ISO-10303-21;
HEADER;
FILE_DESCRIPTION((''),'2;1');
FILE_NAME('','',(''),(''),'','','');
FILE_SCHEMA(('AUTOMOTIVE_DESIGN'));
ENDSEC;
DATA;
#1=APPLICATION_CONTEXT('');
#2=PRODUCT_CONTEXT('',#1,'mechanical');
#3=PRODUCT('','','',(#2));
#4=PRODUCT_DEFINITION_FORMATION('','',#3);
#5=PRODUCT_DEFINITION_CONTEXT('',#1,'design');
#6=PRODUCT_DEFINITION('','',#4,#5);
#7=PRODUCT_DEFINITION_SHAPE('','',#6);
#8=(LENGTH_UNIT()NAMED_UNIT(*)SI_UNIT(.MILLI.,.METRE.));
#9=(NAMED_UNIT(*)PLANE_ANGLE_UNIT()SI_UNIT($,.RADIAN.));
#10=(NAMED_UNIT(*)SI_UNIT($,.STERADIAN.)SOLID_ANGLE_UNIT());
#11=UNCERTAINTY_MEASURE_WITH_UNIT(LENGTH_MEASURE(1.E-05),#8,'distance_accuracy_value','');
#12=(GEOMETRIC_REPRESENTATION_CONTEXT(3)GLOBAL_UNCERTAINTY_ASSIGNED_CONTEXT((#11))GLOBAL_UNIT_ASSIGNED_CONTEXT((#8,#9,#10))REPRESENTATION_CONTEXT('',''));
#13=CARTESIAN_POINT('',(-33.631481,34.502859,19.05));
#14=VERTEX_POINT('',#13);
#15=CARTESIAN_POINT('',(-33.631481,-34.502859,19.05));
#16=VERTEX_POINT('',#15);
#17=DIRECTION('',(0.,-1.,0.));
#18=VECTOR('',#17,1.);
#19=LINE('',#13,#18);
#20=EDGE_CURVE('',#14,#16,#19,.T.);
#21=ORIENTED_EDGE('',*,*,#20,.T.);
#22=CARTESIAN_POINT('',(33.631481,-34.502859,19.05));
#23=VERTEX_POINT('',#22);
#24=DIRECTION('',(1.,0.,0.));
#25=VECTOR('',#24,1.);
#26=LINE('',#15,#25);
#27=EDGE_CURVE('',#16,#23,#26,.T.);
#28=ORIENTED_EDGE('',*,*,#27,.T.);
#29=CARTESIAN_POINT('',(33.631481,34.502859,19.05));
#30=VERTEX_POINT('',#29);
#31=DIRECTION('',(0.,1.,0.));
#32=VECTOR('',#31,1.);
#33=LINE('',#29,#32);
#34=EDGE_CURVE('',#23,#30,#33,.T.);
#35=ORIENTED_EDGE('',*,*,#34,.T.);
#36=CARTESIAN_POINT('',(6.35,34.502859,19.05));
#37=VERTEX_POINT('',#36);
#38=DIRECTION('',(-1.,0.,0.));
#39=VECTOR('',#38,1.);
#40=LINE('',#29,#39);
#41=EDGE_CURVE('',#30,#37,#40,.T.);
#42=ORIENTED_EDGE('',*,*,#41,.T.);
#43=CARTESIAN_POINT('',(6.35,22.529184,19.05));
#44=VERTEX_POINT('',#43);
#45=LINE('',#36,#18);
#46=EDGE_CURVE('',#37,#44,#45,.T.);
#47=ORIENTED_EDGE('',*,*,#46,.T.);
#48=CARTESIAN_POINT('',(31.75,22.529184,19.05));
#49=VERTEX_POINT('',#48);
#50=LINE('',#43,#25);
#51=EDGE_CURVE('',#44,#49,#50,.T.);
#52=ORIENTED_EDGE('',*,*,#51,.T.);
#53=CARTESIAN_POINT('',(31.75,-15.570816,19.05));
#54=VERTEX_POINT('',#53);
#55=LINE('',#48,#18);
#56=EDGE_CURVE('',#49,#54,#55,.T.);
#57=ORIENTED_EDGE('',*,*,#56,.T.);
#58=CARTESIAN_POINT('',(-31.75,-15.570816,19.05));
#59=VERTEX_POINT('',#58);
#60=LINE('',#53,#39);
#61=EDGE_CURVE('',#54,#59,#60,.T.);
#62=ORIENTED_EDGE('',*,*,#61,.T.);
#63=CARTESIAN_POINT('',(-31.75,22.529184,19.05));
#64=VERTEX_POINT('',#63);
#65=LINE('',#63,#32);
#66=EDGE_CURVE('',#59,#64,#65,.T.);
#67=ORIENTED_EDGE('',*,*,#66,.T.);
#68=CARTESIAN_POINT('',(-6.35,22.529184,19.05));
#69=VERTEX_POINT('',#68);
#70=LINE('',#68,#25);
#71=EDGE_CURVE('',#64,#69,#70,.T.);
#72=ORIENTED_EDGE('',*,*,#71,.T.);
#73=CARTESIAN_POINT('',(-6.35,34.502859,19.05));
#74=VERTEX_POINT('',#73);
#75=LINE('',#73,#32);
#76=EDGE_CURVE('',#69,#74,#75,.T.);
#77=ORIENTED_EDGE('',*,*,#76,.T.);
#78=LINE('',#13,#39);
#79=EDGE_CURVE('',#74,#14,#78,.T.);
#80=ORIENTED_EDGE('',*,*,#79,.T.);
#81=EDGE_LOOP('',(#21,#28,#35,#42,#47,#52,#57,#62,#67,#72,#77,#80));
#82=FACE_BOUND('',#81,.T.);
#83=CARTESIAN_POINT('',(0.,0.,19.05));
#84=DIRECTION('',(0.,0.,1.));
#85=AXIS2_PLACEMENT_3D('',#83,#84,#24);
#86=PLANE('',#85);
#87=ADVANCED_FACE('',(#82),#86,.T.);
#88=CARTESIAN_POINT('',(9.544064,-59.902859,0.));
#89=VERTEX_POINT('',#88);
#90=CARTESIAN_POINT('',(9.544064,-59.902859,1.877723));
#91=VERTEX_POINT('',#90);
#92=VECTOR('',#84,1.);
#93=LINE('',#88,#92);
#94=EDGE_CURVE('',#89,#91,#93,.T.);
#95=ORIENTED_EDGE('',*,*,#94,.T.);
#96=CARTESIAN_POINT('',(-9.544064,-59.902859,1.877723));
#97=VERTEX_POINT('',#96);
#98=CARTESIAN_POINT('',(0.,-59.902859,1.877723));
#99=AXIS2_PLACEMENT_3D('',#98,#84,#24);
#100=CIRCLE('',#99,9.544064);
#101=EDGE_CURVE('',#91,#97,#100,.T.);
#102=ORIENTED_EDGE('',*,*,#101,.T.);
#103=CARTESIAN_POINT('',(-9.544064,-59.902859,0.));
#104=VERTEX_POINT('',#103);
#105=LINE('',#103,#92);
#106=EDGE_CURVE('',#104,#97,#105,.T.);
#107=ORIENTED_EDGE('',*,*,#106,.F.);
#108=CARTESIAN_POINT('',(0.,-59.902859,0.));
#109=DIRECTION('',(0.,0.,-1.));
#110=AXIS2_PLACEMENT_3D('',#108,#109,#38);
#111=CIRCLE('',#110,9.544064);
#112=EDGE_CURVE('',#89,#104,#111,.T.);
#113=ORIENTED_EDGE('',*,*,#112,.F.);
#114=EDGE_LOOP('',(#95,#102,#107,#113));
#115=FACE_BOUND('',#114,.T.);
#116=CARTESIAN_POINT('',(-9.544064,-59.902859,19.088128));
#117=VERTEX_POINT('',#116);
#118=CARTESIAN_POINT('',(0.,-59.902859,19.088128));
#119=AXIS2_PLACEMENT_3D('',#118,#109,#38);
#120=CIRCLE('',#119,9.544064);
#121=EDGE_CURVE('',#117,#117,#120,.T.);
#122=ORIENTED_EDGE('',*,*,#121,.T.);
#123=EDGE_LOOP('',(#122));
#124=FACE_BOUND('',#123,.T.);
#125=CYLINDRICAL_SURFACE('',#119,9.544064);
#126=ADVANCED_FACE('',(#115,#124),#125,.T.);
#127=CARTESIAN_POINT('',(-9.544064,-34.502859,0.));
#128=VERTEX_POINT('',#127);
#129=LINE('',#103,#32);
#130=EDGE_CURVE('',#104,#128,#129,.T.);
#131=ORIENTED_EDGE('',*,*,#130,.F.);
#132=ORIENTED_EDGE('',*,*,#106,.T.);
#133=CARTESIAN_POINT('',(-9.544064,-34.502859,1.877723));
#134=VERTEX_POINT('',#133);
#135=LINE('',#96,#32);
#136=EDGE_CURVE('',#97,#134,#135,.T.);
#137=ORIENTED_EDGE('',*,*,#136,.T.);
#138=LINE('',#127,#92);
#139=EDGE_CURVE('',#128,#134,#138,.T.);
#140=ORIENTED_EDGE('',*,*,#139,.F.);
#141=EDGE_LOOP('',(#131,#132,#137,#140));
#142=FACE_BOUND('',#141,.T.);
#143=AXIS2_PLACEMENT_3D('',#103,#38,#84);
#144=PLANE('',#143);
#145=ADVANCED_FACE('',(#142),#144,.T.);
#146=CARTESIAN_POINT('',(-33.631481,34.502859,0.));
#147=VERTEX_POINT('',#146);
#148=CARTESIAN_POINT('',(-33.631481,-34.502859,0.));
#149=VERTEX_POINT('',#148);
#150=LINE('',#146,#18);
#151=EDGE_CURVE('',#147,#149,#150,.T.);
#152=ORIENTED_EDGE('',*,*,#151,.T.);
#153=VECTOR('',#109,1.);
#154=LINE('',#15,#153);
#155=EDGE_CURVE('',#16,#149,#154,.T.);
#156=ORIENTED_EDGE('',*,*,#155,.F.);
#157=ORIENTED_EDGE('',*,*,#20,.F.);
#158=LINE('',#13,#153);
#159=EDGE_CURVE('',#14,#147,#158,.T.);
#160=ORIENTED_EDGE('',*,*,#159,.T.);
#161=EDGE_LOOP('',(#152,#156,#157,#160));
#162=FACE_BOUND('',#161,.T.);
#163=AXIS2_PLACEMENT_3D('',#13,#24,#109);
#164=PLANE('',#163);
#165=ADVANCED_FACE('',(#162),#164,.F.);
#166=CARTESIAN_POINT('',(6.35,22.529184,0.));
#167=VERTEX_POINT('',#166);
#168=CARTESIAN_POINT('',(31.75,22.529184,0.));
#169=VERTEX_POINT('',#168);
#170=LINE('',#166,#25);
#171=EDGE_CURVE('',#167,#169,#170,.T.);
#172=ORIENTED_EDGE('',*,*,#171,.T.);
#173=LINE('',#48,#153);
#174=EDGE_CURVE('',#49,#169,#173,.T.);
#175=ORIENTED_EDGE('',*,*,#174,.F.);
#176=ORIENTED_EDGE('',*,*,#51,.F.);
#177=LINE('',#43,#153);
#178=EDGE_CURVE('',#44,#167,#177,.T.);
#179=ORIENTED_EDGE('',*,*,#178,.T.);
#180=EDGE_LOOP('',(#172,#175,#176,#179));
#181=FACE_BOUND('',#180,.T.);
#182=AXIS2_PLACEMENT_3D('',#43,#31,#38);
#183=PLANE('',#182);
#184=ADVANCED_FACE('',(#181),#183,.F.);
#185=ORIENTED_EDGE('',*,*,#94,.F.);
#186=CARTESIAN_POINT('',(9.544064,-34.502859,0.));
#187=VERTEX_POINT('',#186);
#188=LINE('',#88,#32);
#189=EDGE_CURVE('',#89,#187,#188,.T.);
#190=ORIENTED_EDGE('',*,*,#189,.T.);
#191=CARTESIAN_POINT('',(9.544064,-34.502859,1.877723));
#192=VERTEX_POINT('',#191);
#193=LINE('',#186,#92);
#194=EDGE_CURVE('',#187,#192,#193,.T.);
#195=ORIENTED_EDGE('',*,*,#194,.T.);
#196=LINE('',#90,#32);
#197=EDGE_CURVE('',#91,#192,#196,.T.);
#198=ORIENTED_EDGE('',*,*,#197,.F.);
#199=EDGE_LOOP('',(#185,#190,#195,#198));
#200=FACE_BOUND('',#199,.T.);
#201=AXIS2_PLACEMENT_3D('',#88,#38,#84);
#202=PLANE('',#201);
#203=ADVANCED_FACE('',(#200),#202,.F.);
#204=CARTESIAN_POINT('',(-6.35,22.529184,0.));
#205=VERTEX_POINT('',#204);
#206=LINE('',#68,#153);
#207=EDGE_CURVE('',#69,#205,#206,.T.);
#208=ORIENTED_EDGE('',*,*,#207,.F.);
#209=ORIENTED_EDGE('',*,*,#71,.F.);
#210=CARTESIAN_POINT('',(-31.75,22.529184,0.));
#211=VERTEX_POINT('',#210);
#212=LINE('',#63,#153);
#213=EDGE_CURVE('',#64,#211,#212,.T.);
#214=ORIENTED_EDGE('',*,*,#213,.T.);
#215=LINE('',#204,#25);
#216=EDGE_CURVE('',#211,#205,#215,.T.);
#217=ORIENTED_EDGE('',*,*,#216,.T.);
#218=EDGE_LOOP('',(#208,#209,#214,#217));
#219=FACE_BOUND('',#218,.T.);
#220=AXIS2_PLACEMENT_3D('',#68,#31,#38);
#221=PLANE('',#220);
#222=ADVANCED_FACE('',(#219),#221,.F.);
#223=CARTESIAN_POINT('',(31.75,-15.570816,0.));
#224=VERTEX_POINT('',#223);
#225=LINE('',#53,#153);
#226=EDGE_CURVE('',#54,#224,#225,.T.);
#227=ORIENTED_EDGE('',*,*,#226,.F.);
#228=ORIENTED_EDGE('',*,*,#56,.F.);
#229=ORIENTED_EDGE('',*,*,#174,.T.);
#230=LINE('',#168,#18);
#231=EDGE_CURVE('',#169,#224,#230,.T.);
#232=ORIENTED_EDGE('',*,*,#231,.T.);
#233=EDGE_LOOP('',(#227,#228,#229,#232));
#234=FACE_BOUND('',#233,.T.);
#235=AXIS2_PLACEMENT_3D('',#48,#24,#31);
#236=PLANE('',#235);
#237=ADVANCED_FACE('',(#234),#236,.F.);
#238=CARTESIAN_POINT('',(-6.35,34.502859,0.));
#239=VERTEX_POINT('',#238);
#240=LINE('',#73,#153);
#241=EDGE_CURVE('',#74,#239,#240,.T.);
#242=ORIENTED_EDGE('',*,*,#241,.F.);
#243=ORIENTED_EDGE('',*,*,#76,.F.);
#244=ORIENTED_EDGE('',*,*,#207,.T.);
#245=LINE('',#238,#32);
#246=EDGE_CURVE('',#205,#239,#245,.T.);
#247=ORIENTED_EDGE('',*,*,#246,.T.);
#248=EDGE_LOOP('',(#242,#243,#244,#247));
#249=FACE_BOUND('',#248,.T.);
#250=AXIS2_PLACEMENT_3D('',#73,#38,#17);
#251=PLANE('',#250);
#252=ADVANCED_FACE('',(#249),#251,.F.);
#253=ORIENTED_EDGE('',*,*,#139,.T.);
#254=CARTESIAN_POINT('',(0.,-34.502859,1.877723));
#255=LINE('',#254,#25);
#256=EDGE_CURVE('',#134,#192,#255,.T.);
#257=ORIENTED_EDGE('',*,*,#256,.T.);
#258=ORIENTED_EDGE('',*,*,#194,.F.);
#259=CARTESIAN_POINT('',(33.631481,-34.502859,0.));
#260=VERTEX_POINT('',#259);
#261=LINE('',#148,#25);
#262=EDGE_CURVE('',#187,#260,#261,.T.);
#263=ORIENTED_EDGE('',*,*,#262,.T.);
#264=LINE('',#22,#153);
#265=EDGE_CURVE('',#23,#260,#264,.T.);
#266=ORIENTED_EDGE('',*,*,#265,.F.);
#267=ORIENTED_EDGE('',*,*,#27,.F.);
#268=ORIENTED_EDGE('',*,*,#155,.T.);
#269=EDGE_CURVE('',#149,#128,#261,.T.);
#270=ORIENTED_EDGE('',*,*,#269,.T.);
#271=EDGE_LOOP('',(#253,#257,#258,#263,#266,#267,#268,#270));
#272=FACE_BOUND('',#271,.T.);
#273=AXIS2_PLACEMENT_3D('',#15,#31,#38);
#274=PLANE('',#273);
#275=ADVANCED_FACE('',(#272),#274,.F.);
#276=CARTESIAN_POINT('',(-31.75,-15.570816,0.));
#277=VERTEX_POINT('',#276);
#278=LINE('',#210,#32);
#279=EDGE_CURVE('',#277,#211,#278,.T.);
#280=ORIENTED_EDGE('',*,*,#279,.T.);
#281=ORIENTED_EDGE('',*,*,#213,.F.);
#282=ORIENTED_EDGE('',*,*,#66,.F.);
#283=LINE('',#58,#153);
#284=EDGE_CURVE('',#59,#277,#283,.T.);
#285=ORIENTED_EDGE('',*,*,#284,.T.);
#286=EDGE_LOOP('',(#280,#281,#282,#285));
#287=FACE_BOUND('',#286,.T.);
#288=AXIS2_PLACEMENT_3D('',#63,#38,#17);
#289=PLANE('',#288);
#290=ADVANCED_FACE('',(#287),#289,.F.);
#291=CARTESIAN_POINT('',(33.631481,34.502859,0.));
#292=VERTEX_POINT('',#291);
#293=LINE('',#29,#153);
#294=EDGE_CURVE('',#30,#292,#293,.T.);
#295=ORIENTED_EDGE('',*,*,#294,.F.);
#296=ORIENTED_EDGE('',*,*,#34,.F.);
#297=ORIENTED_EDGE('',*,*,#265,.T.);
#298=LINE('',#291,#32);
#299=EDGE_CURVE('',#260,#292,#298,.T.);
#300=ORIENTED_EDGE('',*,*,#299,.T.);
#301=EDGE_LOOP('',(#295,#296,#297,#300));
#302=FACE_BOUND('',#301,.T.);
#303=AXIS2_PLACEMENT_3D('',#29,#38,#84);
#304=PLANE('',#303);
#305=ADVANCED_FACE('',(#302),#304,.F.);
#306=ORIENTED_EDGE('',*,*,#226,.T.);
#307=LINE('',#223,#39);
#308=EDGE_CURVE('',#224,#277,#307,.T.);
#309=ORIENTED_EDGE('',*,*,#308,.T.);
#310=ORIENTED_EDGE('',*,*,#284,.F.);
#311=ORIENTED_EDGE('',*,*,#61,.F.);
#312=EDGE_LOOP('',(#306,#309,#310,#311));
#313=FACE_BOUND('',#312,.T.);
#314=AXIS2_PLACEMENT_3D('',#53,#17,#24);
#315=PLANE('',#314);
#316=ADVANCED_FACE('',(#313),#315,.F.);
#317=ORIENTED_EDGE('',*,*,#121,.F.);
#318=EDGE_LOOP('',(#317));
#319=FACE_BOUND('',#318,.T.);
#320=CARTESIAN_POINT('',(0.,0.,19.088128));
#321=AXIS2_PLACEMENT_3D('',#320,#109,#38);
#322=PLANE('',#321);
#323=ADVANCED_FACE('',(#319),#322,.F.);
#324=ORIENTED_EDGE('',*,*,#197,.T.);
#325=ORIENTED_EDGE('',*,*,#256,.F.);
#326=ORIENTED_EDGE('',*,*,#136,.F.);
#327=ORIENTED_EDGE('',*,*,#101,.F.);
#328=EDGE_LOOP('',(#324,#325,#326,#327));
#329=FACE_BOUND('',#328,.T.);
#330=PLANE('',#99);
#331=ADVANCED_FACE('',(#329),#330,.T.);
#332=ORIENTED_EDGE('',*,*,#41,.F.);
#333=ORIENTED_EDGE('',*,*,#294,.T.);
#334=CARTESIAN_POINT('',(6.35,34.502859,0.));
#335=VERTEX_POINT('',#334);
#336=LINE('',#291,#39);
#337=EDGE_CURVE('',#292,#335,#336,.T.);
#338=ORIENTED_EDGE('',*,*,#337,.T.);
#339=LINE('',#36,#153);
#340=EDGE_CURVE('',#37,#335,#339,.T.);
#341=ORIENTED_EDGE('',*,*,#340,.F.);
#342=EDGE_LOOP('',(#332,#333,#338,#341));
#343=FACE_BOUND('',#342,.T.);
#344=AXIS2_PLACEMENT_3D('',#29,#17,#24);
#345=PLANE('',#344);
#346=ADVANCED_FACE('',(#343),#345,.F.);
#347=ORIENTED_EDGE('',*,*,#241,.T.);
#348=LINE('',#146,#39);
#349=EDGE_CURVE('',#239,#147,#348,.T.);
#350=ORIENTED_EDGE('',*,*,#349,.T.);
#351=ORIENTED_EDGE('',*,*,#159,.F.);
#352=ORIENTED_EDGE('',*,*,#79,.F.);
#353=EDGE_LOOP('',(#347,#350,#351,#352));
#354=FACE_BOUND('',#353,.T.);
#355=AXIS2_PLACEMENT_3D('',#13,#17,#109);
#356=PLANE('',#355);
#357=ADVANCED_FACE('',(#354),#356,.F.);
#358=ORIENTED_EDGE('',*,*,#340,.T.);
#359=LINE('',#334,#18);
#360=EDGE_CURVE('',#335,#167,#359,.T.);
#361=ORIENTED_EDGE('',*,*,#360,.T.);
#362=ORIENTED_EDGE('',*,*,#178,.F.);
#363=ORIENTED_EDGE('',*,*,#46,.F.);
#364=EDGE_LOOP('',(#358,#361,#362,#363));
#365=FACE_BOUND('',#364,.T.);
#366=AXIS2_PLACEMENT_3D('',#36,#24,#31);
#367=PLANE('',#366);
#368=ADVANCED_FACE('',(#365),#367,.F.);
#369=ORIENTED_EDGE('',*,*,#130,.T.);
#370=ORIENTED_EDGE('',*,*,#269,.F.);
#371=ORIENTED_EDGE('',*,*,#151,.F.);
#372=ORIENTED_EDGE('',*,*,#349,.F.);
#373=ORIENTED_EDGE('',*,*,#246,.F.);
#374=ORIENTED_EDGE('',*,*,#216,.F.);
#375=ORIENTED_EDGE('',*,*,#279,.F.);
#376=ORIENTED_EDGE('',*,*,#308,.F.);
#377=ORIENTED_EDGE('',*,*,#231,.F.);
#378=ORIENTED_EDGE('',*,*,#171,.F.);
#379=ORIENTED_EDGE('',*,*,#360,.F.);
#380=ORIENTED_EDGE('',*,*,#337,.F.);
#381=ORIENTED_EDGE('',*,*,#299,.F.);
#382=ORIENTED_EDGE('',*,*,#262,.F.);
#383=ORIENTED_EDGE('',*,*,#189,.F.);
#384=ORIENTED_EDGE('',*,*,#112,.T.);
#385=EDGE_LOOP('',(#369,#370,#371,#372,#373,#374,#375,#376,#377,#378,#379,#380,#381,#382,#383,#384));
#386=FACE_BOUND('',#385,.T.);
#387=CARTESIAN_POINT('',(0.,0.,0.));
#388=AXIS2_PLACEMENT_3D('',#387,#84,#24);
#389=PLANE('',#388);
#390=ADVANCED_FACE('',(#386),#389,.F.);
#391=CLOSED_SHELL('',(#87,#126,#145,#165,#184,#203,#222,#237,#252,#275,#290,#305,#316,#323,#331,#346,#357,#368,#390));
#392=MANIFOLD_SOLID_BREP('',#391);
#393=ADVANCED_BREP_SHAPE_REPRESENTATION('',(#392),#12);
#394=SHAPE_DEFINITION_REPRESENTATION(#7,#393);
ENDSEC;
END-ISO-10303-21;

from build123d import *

# Parameters (mm, degrees)
BOSS_EXTRUDE1_DEPTH = 19.05
SKETCH2_W           = 19.08812797
SKETCH2_H           = 1.877723278
BOSS_EXTRUDE3_DEPTH = 25.4
SKETCH3_R           = 9.544063985
BOSS_EXTRUDE4_DEPTH = 19.08812797


with BuildPart() as part:
    # Sketch1 → Boss-Extrude1 (new body)
    with BuildSketch(Plane.XY):
        Polygon((-33.631481481, 34.502858519), (-33.631481481, -34.502858519), (33.631481481, -34.502858519), (33.631481481, 34.502858519), (6.35, 34.502858519), (6.35, 22.529183691), (31.75, 22.529183691), (31.75, -15.570816309), (-31.75, -15.570816309), (-31.75, 22.529183691), (-6.35, 22.529183691), (-6.35, 34.502858519), align=None)
    extrude(amount=BOSS_EXTRUDE1_DEPTH)

    # Sketch2 → Boss-Extrude3 (add)
    with BuildSketch(Plane.XZ.offset(34.502858519)):
        with Locations((0, 0.938861639)):
            Rectangle(SKETCH2_W, SKETCH2_H)
    extrude(amount=BOSS_EXTRUDE3_DEPTH)

    # Sketch3 → Boss-Extrude4 (add)
    with BuildSketch(Plane(origin=(0, 0, 0), x_dir=(-1, 0, 0), z_dir=(0, 0, -1))):
        with Locations((0, -59.902858519)):
            Circle(SKETCH3_R)
    extrude(amount=-BOSS_EXTRUDE4_DEPTH)


solid = part.part
